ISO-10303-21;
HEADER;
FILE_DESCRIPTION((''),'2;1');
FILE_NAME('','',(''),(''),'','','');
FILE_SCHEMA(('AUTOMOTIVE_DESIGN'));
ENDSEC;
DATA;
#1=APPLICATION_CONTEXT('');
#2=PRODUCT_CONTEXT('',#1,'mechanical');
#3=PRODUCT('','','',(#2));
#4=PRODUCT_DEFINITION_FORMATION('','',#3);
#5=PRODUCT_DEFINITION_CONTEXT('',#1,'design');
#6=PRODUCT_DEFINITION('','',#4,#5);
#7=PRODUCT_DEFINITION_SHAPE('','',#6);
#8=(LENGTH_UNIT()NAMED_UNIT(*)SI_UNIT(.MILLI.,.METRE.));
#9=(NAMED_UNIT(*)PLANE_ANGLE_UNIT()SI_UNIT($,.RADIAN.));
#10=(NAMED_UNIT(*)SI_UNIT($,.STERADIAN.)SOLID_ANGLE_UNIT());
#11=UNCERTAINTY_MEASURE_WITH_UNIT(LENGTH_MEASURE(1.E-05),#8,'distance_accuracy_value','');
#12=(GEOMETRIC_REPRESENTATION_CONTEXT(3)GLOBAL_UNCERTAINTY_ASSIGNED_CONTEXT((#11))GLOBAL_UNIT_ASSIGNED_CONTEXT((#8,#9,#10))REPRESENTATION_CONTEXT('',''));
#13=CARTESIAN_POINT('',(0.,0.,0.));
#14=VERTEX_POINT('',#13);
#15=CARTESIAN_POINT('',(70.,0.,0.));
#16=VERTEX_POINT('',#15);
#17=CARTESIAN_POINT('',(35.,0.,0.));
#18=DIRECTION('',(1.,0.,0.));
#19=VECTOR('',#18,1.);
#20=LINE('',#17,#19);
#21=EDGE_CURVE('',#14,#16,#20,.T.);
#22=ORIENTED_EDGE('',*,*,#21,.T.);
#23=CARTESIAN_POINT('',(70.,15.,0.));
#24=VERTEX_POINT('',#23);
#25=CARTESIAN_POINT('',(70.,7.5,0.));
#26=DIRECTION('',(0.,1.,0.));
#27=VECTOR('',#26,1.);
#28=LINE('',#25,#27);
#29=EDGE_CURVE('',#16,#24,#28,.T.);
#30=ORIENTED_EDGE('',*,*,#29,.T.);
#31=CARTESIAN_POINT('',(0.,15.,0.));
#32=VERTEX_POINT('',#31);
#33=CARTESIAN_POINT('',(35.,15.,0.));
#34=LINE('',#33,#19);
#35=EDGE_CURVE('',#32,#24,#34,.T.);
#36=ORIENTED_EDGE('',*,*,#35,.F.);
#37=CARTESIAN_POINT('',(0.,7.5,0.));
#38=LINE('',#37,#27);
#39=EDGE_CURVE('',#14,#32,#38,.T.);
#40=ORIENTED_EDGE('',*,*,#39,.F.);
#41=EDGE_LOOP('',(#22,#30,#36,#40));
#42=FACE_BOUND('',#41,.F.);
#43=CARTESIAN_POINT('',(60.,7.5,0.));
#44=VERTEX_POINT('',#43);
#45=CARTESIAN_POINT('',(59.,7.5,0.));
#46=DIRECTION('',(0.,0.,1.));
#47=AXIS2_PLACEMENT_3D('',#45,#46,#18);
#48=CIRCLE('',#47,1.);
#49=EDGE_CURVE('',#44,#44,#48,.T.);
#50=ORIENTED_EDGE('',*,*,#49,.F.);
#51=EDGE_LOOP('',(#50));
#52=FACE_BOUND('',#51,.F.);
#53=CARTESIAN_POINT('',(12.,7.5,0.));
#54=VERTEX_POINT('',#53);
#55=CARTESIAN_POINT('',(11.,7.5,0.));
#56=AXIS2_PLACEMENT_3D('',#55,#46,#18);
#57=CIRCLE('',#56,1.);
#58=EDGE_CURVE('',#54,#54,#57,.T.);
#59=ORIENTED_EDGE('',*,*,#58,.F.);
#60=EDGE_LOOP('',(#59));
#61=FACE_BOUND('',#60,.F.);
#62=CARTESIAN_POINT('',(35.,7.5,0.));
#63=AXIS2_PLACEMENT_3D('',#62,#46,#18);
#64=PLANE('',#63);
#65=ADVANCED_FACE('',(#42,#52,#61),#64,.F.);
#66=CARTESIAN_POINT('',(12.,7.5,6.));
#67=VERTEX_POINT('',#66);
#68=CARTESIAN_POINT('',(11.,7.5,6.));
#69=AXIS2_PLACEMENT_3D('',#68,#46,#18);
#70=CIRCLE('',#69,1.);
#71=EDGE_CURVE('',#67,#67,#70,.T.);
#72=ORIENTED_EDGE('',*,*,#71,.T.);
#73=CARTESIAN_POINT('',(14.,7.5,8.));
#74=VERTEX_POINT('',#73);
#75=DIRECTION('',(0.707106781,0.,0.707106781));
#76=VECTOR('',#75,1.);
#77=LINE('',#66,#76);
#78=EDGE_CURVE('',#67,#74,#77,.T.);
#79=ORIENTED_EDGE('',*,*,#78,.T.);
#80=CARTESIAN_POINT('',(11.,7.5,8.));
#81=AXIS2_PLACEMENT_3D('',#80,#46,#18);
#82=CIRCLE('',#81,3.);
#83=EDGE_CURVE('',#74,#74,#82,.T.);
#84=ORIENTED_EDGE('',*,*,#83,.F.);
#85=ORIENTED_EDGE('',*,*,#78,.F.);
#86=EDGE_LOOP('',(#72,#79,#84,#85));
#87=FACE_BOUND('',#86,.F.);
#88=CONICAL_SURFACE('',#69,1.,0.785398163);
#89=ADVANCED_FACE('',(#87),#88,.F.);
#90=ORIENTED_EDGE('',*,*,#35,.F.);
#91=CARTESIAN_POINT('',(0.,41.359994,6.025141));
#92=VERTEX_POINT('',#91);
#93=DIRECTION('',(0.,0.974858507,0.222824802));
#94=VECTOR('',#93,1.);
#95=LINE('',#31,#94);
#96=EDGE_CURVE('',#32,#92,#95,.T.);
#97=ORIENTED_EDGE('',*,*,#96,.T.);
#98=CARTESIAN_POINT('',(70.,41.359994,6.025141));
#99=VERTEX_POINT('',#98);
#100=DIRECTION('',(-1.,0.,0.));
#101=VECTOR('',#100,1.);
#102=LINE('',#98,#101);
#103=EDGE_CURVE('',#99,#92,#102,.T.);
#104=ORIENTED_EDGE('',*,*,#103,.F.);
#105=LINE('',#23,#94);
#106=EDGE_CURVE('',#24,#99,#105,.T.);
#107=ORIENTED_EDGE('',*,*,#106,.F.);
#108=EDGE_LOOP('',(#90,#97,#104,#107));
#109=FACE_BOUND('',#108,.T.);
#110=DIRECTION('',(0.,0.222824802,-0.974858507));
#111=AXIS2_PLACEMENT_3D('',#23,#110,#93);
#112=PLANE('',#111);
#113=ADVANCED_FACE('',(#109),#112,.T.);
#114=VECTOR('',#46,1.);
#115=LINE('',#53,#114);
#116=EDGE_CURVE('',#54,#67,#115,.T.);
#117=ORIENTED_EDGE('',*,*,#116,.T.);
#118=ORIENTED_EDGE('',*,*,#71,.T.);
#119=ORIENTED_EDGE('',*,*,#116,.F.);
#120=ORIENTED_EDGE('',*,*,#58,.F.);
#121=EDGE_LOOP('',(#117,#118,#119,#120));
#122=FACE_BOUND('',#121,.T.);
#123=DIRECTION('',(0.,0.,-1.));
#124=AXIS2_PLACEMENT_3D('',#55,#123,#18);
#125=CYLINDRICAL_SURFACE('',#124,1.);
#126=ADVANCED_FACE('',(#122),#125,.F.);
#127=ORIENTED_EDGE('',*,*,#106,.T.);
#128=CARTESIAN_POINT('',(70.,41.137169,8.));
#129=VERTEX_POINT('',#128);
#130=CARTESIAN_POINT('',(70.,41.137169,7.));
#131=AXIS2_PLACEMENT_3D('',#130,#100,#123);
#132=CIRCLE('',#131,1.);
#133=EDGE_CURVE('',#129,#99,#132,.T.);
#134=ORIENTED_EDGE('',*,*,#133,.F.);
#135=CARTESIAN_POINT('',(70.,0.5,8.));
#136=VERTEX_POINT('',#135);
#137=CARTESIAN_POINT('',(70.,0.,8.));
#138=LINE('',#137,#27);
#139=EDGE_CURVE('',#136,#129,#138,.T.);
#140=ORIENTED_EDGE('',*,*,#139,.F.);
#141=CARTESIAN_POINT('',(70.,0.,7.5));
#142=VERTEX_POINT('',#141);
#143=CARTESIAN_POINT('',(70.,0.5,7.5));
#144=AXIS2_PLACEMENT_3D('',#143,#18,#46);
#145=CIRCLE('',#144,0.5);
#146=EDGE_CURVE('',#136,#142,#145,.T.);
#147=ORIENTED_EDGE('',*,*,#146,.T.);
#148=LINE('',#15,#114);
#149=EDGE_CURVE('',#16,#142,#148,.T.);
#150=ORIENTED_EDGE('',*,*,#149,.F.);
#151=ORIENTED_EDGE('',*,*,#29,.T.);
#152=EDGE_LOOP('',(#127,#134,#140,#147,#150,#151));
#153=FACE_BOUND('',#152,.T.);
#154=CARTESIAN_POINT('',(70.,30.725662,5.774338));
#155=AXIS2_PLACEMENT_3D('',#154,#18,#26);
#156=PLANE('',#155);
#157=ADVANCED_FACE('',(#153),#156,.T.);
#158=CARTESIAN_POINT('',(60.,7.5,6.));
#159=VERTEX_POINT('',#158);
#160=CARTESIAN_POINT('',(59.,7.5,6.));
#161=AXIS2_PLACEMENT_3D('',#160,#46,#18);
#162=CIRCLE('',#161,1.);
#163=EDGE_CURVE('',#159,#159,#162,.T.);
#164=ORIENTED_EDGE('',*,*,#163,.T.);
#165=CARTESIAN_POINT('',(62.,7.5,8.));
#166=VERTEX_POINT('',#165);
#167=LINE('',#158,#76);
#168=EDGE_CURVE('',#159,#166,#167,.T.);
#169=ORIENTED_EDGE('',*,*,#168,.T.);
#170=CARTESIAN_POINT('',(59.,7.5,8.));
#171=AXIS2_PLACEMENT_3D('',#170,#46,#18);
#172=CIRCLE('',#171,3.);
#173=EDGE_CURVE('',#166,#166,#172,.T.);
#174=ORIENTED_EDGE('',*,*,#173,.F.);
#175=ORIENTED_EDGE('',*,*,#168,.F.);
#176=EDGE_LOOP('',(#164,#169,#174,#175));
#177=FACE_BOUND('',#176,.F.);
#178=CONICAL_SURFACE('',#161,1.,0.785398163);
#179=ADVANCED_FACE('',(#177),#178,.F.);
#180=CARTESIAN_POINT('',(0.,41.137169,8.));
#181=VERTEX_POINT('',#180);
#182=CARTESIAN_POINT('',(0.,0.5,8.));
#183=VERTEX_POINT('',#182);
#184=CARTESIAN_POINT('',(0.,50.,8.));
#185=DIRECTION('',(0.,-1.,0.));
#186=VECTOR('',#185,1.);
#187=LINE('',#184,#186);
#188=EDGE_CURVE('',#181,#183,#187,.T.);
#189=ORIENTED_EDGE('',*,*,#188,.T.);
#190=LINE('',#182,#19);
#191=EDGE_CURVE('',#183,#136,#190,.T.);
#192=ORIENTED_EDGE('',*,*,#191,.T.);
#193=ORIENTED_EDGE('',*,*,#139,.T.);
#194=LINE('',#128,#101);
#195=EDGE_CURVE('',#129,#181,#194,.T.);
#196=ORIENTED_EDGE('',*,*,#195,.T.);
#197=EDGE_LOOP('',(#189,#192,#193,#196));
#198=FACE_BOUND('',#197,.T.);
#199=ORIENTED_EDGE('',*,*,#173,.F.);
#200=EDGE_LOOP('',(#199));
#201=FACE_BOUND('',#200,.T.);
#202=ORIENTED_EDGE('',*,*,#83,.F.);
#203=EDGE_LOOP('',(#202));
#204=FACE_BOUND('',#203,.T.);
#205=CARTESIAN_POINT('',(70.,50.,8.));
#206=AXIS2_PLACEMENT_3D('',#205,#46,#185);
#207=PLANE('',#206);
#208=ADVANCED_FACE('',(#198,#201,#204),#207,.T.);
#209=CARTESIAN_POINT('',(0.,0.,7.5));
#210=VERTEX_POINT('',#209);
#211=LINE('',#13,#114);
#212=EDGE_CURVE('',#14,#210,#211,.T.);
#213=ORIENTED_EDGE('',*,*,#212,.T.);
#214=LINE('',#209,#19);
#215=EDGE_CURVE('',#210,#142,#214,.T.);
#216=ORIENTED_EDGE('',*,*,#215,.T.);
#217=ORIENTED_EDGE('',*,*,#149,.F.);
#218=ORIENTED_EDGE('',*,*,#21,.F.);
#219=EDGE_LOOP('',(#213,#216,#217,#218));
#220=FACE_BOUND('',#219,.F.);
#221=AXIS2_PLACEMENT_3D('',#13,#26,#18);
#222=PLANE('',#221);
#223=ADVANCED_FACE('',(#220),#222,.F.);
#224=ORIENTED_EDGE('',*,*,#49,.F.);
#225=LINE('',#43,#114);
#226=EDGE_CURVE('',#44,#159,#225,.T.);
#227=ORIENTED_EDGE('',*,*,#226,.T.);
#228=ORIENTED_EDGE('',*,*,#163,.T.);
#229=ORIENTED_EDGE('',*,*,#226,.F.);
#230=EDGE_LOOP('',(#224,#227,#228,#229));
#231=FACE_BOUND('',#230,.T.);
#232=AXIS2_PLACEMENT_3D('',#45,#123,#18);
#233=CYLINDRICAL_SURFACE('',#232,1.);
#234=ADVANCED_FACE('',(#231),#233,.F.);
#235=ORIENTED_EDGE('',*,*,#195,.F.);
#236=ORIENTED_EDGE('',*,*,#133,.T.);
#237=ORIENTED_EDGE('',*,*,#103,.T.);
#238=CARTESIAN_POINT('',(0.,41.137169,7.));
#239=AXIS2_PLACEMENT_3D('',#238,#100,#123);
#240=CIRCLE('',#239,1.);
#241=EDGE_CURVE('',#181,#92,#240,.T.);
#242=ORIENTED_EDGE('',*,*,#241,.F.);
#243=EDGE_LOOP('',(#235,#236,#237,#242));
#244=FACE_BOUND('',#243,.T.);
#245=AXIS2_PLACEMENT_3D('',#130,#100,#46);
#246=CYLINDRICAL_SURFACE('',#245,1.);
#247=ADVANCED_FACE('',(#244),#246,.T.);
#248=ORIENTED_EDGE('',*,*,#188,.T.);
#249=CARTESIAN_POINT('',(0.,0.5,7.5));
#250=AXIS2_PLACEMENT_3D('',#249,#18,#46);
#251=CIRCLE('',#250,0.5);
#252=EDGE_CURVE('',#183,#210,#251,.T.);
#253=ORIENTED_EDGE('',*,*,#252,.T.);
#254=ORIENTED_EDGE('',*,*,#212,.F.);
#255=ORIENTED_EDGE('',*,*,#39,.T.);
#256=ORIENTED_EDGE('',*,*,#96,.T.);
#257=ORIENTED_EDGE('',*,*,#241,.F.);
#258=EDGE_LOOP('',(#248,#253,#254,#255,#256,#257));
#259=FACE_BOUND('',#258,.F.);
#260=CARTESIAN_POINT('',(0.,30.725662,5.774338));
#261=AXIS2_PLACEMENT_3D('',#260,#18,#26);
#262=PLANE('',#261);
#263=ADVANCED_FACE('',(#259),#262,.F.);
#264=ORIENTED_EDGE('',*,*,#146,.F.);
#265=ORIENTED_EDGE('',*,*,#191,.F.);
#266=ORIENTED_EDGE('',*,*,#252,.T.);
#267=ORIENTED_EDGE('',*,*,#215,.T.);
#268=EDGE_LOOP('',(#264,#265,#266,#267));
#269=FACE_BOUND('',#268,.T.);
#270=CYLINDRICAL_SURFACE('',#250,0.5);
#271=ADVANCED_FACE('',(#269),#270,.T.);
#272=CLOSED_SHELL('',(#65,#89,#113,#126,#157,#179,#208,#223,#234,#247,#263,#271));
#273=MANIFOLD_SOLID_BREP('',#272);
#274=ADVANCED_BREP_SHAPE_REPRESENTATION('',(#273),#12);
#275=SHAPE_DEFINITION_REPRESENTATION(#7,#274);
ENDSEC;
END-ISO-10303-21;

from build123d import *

# Parameters (mm, degrees)
F0_W     = 70
F0_H     = 15
F0_R     = 1
F1_DEPTH = 8
F2_SIZE  = 2
F4_DEPTH = 70
F5_R     = 1
F6_R     = 0.5


with BuildPart() as f1:
    # F0 (on Top) → F1 (new body)
    with BuildSketch(Plane.XY):
        with Locations((35, 7.5)):
            Rectangle(F0_W, F0_H)
        with Locations((11, 7.5)):
            Circle(F0_R, mode=Mode.SUBTRACT)
        with Locations((59, 7.5)):
            Circle(F0_R, mode=Mode.SUBTRACT)
    extrude(amount=F1_DEPTH)

    # F2
    f2_edges = [f1.edges().sort_by_distance(p)[0] for p in [
        (10, 7.5, 8),
        (58, 7.5, 8),
    ]]
    chamfer(f2_edges, length=F2_SIZE)

    # F3 (on face) → F4 (join)
    with BuildSketch(Plane.YZ.offset(70)):
        Polygon((50, 8), (15, 8), (15, 0), align=None)
    extrude(amount=-F4_DEPTH)

    # F5
    f5_edges = [f1.edges().sort_by_distance(p)[0] for p in [
        (35, 50, 8),
    ]]
    fillet(f5_edges, radius=F5_R)

    # F6
    f6_edges = [f1.edges().sort_by_distance(p)[0] for p in [
        (35, 0, 8),
    ]]
    fillet(f6_edges, radius=F6_R)


solid = f1.part
